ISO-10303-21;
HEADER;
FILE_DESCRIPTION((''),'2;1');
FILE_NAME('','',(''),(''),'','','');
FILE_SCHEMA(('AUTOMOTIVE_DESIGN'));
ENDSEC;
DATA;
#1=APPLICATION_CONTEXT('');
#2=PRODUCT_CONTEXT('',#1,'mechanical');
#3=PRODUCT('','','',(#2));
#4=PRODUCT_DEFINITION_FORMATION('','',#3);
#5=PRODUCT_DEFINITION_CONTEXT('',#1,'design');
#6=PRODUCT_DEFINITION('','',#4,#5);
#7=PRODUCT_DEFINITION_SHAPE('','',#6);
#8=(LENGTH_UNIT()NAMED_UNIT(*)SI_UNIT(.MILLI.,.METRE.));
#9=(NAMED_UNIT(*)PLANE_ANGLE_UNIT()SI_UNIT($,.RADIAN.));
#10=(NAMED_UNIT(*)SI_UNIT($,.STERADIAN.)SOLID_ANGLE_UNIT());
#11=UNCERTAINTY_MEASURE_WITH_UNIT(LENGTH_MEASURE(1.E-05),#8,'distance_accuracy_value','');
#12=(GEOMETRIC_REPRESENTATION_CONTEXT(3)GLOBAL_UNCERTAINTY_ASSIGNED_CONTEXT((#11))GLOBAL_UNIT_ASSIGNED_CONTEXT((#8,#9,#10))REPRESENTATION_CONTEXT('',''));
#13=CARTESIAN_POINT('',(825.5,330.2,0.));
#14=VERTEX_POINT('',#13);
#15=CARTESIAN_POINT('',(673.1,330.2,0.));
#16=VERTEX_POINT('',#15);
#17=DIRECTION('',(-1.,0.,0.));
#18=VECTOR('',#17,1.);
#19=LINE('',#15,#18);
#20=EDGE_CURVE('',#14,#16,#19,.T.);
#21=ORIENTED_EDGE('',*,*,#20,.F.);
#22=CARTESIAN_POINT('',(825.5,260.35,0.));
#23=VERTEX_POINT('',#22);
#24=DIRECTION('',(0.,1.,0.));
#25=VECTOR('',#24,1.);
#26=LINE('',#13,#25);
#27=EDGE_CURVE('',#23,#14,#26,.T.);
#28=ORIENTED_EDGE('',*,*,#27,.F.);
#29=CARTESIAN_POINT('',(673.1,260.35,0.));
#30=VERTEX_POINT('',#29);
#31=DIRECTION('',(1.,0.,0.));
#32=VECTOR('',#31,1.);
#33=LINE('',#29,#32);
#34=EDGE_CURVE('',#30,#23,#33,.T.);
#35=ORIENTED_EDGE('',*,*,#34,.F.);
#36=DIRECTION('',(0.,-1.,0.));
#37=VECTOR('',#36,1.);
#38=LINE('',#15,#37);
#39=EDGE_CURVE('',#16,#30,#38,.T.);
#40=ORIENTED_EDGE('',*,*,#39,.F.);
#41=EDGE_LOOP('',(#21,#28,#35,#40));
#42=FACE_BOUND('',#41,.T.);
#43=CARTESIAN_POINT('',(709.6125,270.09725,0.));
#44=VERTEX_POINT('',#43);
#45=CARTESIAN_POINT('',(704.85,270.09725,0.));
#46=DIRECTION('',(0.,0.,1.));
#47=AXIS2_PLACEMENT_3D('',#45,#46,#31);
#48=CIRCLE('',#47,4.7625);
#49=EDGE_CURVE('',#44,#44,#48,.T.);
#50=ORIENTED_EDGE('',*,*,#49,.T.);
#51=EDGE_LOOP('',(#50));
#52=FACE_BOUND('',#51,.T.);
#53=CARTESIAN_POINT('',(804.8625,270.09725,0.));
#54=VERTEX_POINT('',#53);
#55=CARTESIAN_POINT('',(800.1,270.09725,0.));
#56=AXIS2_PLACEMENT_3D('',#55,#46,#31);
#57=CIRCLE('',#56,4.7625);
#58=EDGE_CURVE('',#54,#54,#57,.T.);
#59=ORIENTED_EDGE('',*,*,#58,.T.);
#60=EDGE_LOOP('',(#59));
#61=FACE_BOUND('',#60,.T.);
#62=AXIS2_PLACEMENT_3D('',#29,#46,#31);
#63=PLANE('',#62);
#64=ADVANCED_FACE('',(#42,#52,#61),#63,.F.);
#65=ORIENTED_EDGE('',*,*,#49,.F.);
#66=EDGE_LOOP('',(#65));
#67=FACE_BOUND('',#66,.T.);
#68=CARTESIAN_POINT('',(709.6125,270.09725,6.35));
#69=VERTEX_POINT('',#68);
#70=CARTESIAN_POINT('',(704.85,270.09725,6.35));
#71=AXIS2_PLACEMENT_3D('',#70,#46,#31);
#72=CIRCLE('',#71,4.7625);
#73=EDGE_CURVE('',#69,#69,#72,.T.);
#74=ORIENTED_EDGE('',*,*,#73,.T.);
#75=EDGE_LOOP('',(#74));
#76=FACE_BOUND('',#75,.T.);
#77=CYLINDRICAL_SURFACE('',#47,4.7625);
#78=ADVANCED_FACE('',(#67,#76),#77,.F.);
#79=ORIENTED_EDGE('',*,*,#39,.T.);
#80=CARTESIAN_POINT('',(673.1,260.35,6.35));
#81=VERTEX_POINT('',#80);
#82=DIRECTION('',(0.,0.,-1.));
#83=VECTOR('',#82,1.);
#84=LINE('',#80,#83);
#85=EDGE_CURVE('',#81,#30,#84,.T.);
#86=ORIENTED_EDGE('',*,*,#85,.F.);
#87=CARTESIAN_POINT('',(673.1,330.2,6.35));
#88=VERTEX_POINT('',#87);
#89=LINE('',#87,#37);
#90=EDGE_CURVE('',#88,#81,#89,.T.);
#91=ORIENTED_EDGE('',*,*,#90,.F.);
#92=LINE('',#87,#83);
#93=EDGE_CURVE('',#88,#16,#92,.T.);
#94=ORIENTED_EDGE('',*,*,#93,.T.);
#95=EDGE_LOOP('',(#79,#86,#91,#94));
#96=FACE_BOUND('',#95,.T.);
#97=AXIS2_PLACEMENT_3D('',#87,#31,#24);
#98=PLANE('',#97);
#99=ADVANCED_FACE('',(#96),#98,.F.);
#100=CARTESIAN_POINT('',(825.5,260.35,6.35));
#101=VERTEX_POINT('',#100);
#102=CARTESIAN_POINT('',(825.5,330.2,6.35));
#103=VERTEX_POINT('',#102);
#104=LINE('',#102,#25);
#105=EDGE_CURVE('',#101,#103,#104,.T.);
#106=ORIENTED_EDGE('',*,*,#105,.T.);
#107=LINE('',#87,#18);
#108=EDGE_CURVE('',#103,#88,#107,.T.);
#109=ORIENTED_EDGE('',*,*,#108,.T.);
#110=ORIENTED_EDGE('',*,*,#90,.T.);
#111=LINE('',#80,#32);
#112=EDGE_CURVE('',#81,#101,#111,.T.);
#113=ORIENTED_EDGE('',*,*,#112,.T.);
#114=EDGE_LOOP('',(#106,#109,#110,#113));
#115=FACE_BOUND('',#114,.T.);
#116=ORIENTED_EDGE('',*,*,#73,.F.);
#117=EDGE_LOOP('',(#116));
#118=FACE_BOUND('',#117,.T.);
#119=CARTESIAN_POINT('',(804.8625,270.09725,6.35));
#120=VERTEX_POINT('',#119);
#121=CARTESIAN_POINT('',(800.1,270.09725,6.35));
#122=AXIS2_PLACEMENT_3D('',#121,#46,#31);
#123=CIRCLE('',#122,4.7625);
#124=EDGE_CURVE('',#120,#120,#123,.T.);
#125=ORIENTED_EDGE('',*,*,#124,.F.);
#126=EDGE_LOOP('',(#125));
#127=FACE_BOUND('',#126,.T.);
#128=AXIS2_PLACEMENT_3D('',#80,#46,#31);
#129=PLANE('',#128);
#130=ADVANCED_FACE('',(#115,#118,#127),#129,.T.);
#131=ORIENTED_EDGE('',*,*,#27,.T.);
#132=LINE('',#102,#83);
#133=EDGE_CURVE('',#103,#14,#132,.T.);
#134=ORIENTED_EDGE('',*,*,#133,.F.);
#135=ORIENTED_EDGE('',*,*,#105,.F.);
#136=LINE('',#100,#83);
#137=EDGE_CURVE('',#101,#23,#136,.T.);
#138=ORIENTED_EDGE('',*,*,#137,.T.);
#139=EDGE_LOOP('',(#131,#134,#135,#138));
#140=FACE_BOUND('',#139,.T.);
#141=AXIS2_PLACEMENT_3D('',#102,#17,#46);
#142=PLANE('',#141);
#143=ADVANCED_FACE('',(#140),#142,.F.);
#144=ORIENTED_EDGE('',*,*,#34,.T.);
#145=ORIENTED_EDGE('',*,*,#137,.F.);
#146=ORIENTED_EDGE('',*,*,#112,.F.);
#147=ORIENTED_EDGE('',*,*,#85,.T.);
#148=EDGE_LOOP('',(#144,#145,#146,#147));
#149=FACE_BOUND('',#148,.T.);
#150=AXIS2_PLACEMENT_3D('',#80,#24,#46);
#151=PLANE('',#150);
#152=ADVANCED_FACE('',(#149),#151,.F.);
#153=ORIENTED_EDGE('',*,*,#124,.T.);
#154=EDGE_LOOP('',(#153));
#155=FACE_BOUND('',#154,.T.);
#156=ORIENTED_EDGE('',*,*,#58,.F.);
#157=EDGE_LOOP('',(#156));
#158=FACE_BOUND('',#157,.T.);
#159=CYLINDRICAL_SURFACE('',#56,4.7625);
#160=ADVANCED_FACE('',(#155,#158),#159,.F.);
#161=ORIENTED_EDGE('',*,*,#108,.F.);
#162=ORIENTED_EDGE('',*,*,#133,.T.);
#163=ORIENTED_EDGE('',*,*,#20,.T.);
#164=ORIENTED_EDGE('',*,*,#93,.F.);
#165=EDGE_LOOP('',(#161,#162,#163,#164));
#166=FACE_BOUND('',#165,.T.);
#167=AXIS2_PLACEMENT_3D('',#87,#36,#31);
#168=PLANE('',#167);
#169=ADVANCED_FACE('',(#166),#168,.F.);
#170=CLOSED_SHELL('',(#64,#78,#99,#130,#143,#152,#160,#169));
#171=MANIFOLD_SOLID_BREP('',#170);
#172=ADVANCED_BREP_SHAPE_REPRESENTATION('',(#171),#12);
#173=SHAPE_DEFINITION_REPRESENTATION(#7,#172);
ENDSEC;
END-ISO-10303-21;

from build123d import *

# Parameters (mm, degrees)
SKETCH1_W          = 152.4
SKETCH1_H          = 69.85
EXTRUDE1_DEPTH     = 6.35
SKETCH2_R          = 4.7625
CUT_EXTRUDE1_DEPTH = 7.35


with BuildPart() as part:
    # Sketch1 → Extrude1 (new body)
    with BuildSketch(Plane.XY):
        with Locations((749.3, 295.275)):
            Rectangle(SKETCH1_W, SKETCH1_H)
    extrude(amount=EXTRUDE1_DEPTH)

    # Sketch2 → Cut-Extrude1 (cut, through all)
    with BuildSketch(Plane.XY.offset(6.35)):
        with Locations((800.1, 270.09725)):
            Circle(SKETCH2_R)
        with Locations((704.85, 270.09725)):
            Circle(SKETCH2_R)
    extrude(amount=-CUT_EXTRUDE1_DEPTH, mode=Mode.SUBTRACT)


solid = part.part
